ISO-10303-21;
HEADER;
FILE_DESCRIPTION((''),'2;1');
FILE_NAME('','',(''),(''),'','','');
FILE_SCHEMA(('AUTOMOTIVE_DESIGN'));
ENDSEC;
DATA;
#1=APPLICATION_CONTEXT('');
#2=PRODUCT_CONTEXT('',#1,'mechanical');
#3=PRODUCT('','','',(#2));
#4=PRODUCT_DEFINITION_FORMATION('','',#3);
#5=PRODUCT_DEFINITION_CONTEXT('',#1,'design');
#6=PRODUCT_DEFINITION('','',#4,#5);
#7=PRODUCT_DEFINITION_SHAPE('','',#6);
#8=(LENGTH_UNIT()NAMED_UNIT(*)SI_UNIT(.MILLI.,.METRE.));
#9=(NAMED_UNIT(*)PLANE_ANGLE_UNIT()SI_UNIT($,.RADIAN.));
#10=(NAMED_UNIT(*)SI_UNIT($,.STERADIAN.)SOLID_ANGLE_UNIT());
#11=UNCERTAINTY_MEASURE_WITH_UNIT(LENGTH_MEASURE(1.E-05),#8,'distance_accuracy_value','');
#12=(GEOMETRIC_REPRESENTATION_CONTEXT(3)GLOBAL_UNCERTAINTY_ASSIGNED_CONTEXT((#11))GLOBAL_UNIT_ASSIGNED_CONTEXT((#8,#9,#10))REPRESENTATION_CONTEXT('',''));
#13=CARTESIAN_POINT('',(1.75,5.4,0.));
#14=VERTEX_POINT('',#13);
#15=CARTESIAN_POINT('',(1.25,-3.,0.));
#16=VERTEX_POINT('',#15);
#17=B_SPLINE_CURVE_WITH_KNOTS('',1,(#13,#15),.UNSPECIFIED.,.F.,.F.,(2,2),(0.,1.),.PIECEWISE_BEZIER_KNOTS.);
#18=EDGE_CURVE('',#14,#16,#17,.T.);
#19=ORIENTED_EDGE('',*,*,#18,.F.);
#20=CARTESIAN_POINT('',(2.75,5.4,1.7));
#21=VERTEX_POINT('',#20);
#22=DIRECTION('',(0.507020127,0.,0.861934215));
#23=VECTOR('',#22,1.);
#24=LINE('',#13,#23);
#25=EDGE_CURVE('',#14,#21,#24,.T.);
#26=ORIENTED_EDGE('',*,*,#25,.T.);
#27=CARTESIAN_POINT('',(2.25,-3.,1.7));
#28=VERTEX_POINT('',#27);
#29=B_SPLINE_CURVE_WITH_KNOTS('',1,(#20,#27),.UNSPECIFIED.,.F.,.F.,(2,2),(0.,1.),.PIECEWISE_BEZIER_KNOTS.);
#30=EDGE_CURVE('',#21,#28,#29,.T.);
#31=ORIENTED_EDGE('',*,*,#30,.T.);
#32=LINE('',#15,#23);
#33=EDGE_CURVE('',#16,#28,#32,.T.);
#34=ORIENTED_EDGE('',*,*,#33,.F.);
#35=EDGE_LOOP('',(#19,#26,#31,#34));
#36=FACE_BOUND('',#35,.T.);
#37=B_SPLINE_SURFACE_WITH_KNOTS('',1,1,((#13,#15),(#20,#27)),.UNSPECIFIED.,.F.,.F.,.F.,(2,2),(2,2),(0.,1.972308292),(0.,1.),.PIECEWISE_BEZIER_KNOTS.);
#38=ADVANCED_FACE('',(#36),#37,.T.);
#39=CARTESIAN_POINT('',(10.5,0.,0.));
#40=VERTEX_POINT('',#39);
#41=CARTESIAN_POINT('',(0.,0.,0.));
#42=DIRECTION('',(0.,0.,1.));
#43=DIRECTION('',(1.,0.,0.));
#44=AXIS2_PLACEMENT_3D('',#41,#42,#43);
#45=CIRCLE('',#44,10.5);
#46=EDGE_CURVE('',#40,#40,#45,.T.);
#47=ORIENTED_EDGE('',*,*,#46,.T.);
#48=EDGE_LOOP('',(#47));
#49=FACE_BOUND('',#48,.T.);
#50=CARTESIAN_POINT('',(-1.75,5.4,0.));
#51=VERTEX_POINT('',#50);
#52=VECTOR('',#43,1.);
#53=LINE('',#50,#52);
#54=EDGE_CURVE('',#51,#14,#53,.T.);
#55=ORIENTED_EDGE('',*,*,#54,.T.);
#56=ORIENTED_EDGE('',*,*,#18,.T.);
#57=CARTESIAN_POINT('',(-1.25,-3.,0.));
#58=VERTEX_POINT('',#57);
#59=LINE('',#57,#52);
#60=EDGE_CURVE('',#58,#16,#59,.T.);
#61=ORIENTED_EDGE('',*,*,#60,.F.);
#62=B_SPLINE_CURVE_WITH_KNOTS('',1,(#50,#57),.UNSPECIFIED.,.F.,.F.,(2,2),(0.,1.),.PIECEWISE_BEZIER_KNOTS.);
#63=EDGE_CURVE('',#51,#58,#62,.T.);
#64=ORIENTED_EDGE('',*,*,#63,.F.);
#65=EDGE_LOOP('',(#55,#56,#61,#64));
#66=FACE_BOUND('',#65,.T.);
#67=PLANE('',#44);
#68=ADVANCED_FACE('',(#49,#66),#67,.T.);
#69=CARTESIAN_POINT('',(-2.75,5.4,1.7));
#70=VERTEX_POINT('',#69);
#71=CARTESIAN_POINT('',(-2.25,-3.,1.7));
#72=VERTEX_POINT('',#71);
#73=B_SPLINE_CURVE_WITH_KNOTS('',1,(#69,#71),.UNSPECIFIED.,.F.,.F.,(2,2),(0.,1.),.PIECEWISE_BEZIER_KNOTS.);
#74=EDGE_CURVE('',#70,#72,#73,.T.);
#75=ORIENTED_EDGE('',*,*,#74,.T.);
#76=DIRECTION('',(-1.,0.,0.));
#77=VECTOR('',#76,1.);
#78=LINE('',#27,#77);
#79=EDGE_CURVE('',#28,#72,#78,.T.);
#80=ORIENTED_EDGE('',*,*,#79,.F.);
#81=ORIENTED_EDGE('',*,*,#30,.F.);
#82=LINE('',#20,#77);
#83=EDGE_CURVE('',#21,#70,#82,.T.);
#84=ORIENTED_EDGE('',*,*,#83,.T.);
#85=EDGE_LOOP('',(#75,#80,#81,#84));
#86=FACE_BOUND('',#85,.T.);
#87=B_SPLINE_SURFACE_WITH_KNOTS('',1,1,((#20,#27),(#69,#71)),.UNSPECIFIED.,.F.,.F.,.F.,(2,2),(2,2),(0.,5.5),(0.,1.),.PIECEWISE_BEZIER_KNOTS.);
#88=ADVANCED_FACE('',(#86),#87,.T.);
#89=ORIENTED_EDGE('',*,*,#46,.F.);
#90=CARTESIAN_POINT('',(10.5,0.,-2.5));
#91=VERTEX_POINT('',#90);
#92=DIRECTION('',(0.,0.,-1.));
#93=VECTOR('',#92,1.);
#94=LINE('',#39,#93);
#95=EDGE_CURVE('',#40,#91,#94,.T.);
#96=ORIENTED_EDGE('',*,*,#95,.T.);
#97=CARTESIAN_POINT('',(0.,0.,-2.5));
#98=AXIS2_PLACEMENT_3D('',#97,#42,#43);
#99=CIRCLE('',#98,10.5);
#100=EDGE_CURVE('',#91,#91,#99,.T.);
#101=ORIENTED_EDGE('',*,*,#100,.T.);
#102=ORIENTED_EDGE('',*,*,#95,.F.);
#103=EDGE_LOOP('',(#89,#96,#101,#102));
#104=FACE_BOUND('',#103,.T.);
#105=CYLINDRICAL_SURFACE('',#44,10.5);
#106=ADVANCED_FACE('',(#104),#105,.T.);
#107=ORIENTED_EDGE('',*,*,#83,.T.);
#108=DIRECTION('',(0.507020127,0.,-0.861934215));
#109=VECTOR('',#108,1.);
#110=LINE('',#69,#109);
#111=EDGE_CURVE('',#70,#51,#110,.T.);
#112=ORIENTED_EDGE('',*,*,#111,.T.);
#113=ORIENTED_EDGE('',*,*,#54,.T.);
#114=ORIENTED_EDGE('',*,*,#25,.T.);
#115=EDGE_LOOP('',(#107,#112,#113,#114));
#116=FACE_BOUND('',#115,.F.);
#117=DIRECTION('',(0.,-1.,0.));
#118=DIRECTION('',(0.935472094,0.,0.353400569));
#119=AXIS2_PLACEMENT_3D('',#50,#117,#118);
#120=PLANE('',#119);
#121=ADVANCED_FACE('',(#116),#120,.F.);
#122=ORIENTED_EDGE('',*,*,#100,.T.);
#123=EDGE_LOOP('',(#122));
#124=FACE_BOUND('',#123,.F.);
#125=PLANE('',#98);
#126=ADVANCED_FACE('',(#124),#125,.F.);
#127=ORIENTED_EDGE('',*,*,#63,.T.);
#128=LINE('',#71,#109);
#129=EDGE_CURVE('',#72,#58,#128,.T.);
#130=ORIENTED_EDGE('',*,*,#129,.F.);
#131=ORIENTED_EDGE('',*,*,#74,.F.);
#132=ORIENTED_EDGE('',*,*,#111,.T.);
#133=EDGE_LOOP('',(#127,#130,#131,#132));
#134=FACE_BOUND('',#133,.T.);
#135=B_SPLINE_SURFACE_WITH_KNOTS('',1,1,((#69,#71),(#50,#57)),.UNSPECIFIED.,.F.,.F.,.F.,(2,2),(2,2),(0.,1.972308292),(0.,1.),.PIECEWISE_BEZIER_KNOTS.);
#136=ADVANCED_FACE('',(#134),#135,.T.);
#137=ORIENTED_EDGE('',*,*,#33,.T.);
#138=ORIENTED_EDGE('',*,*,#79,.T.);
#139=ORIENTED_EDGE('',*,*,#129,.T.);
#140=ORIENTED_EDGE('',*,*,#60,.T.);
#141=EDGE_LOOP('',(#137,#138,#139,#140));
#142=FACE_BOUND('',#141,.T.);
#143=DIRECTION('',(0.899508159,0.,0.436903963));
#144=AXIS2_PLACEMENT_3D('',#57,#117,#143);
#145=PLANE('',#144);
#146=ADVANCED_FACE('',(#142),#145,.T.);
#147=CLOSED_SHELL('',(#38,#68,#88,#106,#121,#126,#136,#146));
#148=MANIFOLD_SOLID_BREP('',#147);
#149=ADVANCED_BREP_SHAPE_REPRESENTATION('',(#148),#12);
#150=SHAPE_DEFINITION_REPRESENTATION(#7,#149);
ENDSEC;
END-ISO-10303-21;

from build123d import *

# Parameters (mm, degrees)
F0_R     = 10.5
F1_DEPTH = 2.5


with BuildPart() as f1:
    # F0 (on Top) → F1 (new body)
    with BuildSketch(Plane.XY):
        Circle(F0_R)
    extrude(amount=-F1_DEPTH)

    # F5 (on offset) → F6 section 0
    with BuildSketch(Plane.XZ.offset(-5.4)):
        Polygon((-1.75, 0), (1.75, 0), (2.75, 1.7), (-2.75, 1.7), align=None)
    # F3 (on offset) → F6 section 1
    with BuildSketch(Plane.XZ.offset(3)):
        Polygon((-1.25, 0), (1.25, 0), (2.25, 1.7), (-2.25, 1.7), align=None)
    loft()


solid = f1.part
